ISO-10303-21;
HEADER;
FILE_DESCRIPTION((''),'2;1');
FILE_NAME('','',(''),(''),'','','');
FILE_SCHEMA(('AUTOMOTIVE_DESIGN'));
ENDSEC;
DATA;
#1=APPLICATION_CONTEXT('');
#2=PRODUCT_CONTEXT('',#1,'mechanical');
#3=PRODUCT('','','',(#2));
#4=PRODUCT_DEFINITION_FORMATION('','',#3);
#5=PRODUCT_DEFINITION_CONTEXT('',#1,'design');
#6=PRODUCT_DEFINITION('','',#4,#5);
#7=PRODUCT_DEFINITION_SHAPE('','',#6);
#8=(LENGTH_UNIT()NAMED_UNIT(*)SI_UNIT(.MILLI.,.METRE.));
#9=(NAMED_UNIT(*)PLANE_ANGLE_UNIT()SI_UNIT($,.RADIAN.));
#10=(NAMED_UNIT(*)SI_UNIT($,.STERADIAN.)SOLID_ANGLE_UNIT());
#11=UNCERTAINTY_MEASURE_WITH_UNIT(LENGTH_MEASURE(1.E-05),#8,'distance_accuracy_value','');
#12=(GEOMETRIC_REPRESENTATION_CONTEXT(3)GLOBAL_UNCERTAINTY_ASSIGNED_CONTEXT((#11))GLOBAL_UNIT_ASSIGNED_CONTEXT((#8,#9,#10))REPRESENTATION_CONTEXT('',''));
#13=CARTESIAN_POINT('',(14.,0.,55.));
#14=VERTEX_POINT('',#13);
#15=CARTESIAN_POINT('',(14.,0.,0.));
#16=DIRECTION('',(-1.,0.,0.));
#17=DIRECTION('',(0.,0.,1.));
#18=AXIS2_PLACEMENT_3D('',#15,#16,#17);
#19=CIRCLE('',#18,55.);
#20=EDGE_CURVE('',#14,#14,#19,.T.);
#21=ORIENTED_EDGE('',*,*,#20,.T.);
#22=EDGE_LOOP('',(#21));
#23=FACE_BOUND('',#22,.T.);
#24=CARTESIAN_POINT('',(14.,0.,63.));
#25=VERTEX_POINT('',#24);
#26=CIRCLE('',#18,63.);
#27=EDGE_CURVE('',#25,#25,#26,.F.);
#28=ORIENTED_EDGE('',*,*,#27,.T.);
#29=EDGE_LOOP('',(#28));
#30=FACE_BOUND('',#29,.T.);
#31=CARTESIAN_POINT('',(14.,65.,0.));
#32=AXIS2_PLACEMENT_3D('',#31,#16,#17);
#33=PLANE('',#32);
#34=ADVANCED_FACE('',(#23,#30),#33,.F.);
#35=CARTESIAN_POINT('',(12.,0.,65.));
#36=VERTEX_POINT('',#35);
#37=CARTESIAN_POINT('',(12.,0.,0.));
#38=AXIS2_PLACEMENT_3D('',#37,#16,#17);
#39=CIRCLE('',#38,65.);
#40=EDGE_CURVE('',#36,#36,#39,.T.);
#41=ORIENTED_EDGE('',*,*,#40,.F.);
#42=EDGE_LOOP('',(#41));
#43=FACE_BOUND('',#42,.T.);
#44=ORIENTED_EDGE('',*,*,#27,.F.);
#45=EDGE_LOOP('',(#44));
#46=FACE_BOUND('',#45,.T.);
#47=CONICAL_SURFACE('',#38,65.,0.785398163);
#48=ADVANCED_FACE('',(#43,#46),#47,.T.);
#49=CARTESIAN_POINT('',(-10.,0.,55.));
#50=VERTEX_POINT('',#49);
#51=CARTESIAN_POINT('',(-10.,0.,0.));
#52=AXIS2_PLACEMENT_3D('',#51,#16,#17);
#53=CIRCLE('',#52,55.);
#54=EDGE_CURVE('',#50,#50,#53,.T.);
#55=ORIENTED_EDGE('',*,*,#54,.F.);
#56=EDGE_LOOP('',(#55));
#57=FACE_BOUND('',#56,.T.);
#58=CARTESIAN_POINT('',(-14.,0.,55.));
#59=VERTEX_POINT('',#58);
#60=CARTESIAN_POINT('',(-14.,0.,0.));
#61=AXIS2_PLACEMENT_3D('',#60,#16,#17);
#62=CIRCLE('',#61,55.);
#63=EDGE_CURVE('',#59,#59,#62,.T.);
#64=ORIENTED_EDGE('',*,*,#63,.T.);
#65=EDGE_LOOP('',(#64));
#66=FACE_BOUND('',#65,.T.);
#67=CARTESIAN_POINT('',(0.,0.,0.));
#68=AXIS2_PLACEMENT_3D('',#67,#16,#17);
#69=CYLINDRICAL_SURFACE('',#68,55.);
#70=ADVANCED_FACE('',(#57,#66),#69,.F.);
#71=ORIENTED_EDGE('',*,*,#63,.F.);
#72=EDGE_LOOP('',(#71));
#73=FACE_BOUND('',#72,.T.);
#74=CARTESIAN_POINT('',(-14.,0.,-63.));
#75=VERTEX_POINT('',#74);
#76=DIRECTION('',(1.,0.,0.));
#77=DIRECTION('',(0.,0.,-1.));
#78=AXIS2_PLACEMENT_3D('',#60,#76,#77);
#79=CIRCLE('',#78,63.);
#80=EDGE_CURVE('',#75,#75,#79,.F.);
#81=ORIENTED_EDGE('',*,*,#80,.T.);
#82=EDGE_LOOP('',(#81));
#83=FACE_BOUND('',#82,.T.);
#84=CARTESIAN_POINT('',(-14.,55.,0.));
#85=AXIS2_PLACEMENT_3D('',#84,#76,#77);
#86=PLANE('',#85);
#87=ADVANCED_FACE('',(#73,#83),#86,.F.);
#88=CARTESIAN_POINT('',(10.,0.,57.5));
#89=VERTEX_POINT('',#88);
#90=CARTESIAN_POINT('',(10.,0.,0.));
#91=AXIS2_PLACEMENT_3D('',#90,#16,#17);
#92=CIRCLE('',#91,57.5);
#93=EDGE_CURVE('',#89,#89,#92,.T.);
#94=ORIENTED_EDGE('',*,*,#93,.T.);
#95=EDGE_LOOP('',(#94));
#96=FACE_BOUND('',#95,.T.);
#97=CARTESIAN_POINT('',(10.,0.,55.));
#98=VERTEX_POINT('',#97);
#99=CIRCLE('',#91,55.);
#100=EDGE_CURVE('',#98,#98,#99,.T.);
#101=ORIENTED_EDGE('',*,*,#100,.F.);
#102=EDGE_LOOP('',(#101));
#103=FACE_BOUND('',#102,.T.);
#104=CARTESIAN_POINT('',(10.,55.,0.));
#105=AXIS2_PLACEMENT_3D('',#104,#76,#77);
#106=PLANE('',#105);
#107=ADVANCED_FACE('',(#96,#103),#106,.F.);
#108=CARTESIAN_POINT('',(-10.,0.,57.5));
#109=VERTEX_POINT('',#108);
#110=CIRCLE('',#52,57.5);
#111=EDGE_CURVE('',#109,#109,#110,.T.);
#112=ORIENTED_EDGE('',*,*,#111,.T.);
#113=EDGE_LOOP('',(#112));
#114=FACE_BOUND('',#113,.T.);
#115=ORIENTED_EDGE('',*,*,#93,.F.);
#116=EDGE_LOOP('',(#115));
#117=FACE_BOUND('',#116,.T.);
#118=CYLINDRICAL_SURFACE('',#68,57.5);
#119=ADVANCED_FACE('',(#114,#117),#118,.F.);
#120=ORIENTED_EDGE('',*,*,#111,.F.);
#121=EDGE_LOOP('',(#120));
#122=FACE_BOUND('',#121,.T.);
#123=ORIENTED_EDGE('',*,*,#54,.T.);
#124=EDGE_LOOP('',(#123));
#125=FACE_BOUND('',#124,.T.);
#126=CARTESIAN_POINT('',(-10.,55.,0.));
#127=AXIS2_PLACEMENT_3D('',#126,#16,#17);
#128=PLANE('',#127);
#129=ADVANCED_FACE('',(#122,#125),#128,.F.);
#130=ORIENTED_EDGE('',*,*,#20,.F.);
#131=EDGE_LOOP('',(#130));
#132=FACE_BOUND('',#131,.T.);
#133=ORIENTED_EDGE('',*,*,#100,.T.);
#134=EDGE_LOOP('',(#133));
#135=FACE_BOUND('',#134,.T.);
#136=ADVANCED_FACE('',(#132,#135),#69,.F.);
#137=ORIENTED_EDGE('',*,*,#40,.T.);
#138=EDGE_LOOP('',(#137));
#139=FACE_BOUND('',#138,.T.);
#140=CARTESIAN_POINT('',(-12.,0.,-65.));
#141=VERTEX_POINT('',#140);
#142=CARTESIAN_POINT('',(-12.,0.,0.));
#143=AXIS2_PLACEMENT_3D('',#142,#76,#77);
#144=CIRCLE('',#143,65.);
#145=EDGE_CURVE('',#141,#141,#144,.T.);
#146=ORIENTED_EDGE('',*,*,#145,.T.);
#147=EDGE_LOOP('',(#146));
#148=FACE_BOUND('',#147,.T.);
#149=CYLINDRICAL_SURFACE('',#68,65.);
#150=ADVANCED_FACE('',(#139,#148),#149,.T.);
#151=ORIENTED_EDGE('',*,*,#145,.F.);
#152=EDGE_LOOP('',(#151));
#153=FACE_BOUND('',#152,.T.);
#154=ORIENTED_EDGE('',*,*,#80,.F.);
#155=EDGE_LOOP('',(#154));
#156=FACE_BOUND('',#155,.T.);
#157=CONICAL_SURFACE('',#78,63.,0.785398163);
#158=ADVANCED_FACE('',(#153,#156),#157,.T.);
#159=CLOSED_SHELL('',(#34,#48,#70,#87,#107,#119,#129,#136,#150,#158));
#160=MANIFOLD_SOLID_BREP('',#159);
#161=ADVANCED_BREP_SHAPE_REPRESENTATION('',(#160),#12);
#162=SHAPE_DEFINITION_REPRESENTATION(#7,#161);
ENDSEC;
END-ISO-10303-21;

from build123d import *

# Parameters (mm, degrees)
CHAMFER1_SIZE = 2


with BuildPart() as part:
    # Sketch1 → Revolve1 (revolve)
    with BuildSketch(Plane.XY, mode=Mode.PRIVATE) as revolve1_sk:
        Polygon((-10, 55), (-14, 55), (-14, 65), (14, 65), (14, 55), (10, 55), (10, 57.5), (-10, 57.5), align=None)
    revolve(revolve1_sk.sketch.rotate(Axis((0, 0, 0), (1, 0, 0)), 90), axis=Axis((0, 0, 0), (1, 0, 0)))

    # Chamfer1
    chamfer1_edges = [part.edges().sort_by_distance(p)[0] for p in [
        (-14, 0, -65),
        (14, 0, -65),
    ]]
    chamfer(chamfer1_edges, length=CHAMFER1_SIZE)


solid = part.part
